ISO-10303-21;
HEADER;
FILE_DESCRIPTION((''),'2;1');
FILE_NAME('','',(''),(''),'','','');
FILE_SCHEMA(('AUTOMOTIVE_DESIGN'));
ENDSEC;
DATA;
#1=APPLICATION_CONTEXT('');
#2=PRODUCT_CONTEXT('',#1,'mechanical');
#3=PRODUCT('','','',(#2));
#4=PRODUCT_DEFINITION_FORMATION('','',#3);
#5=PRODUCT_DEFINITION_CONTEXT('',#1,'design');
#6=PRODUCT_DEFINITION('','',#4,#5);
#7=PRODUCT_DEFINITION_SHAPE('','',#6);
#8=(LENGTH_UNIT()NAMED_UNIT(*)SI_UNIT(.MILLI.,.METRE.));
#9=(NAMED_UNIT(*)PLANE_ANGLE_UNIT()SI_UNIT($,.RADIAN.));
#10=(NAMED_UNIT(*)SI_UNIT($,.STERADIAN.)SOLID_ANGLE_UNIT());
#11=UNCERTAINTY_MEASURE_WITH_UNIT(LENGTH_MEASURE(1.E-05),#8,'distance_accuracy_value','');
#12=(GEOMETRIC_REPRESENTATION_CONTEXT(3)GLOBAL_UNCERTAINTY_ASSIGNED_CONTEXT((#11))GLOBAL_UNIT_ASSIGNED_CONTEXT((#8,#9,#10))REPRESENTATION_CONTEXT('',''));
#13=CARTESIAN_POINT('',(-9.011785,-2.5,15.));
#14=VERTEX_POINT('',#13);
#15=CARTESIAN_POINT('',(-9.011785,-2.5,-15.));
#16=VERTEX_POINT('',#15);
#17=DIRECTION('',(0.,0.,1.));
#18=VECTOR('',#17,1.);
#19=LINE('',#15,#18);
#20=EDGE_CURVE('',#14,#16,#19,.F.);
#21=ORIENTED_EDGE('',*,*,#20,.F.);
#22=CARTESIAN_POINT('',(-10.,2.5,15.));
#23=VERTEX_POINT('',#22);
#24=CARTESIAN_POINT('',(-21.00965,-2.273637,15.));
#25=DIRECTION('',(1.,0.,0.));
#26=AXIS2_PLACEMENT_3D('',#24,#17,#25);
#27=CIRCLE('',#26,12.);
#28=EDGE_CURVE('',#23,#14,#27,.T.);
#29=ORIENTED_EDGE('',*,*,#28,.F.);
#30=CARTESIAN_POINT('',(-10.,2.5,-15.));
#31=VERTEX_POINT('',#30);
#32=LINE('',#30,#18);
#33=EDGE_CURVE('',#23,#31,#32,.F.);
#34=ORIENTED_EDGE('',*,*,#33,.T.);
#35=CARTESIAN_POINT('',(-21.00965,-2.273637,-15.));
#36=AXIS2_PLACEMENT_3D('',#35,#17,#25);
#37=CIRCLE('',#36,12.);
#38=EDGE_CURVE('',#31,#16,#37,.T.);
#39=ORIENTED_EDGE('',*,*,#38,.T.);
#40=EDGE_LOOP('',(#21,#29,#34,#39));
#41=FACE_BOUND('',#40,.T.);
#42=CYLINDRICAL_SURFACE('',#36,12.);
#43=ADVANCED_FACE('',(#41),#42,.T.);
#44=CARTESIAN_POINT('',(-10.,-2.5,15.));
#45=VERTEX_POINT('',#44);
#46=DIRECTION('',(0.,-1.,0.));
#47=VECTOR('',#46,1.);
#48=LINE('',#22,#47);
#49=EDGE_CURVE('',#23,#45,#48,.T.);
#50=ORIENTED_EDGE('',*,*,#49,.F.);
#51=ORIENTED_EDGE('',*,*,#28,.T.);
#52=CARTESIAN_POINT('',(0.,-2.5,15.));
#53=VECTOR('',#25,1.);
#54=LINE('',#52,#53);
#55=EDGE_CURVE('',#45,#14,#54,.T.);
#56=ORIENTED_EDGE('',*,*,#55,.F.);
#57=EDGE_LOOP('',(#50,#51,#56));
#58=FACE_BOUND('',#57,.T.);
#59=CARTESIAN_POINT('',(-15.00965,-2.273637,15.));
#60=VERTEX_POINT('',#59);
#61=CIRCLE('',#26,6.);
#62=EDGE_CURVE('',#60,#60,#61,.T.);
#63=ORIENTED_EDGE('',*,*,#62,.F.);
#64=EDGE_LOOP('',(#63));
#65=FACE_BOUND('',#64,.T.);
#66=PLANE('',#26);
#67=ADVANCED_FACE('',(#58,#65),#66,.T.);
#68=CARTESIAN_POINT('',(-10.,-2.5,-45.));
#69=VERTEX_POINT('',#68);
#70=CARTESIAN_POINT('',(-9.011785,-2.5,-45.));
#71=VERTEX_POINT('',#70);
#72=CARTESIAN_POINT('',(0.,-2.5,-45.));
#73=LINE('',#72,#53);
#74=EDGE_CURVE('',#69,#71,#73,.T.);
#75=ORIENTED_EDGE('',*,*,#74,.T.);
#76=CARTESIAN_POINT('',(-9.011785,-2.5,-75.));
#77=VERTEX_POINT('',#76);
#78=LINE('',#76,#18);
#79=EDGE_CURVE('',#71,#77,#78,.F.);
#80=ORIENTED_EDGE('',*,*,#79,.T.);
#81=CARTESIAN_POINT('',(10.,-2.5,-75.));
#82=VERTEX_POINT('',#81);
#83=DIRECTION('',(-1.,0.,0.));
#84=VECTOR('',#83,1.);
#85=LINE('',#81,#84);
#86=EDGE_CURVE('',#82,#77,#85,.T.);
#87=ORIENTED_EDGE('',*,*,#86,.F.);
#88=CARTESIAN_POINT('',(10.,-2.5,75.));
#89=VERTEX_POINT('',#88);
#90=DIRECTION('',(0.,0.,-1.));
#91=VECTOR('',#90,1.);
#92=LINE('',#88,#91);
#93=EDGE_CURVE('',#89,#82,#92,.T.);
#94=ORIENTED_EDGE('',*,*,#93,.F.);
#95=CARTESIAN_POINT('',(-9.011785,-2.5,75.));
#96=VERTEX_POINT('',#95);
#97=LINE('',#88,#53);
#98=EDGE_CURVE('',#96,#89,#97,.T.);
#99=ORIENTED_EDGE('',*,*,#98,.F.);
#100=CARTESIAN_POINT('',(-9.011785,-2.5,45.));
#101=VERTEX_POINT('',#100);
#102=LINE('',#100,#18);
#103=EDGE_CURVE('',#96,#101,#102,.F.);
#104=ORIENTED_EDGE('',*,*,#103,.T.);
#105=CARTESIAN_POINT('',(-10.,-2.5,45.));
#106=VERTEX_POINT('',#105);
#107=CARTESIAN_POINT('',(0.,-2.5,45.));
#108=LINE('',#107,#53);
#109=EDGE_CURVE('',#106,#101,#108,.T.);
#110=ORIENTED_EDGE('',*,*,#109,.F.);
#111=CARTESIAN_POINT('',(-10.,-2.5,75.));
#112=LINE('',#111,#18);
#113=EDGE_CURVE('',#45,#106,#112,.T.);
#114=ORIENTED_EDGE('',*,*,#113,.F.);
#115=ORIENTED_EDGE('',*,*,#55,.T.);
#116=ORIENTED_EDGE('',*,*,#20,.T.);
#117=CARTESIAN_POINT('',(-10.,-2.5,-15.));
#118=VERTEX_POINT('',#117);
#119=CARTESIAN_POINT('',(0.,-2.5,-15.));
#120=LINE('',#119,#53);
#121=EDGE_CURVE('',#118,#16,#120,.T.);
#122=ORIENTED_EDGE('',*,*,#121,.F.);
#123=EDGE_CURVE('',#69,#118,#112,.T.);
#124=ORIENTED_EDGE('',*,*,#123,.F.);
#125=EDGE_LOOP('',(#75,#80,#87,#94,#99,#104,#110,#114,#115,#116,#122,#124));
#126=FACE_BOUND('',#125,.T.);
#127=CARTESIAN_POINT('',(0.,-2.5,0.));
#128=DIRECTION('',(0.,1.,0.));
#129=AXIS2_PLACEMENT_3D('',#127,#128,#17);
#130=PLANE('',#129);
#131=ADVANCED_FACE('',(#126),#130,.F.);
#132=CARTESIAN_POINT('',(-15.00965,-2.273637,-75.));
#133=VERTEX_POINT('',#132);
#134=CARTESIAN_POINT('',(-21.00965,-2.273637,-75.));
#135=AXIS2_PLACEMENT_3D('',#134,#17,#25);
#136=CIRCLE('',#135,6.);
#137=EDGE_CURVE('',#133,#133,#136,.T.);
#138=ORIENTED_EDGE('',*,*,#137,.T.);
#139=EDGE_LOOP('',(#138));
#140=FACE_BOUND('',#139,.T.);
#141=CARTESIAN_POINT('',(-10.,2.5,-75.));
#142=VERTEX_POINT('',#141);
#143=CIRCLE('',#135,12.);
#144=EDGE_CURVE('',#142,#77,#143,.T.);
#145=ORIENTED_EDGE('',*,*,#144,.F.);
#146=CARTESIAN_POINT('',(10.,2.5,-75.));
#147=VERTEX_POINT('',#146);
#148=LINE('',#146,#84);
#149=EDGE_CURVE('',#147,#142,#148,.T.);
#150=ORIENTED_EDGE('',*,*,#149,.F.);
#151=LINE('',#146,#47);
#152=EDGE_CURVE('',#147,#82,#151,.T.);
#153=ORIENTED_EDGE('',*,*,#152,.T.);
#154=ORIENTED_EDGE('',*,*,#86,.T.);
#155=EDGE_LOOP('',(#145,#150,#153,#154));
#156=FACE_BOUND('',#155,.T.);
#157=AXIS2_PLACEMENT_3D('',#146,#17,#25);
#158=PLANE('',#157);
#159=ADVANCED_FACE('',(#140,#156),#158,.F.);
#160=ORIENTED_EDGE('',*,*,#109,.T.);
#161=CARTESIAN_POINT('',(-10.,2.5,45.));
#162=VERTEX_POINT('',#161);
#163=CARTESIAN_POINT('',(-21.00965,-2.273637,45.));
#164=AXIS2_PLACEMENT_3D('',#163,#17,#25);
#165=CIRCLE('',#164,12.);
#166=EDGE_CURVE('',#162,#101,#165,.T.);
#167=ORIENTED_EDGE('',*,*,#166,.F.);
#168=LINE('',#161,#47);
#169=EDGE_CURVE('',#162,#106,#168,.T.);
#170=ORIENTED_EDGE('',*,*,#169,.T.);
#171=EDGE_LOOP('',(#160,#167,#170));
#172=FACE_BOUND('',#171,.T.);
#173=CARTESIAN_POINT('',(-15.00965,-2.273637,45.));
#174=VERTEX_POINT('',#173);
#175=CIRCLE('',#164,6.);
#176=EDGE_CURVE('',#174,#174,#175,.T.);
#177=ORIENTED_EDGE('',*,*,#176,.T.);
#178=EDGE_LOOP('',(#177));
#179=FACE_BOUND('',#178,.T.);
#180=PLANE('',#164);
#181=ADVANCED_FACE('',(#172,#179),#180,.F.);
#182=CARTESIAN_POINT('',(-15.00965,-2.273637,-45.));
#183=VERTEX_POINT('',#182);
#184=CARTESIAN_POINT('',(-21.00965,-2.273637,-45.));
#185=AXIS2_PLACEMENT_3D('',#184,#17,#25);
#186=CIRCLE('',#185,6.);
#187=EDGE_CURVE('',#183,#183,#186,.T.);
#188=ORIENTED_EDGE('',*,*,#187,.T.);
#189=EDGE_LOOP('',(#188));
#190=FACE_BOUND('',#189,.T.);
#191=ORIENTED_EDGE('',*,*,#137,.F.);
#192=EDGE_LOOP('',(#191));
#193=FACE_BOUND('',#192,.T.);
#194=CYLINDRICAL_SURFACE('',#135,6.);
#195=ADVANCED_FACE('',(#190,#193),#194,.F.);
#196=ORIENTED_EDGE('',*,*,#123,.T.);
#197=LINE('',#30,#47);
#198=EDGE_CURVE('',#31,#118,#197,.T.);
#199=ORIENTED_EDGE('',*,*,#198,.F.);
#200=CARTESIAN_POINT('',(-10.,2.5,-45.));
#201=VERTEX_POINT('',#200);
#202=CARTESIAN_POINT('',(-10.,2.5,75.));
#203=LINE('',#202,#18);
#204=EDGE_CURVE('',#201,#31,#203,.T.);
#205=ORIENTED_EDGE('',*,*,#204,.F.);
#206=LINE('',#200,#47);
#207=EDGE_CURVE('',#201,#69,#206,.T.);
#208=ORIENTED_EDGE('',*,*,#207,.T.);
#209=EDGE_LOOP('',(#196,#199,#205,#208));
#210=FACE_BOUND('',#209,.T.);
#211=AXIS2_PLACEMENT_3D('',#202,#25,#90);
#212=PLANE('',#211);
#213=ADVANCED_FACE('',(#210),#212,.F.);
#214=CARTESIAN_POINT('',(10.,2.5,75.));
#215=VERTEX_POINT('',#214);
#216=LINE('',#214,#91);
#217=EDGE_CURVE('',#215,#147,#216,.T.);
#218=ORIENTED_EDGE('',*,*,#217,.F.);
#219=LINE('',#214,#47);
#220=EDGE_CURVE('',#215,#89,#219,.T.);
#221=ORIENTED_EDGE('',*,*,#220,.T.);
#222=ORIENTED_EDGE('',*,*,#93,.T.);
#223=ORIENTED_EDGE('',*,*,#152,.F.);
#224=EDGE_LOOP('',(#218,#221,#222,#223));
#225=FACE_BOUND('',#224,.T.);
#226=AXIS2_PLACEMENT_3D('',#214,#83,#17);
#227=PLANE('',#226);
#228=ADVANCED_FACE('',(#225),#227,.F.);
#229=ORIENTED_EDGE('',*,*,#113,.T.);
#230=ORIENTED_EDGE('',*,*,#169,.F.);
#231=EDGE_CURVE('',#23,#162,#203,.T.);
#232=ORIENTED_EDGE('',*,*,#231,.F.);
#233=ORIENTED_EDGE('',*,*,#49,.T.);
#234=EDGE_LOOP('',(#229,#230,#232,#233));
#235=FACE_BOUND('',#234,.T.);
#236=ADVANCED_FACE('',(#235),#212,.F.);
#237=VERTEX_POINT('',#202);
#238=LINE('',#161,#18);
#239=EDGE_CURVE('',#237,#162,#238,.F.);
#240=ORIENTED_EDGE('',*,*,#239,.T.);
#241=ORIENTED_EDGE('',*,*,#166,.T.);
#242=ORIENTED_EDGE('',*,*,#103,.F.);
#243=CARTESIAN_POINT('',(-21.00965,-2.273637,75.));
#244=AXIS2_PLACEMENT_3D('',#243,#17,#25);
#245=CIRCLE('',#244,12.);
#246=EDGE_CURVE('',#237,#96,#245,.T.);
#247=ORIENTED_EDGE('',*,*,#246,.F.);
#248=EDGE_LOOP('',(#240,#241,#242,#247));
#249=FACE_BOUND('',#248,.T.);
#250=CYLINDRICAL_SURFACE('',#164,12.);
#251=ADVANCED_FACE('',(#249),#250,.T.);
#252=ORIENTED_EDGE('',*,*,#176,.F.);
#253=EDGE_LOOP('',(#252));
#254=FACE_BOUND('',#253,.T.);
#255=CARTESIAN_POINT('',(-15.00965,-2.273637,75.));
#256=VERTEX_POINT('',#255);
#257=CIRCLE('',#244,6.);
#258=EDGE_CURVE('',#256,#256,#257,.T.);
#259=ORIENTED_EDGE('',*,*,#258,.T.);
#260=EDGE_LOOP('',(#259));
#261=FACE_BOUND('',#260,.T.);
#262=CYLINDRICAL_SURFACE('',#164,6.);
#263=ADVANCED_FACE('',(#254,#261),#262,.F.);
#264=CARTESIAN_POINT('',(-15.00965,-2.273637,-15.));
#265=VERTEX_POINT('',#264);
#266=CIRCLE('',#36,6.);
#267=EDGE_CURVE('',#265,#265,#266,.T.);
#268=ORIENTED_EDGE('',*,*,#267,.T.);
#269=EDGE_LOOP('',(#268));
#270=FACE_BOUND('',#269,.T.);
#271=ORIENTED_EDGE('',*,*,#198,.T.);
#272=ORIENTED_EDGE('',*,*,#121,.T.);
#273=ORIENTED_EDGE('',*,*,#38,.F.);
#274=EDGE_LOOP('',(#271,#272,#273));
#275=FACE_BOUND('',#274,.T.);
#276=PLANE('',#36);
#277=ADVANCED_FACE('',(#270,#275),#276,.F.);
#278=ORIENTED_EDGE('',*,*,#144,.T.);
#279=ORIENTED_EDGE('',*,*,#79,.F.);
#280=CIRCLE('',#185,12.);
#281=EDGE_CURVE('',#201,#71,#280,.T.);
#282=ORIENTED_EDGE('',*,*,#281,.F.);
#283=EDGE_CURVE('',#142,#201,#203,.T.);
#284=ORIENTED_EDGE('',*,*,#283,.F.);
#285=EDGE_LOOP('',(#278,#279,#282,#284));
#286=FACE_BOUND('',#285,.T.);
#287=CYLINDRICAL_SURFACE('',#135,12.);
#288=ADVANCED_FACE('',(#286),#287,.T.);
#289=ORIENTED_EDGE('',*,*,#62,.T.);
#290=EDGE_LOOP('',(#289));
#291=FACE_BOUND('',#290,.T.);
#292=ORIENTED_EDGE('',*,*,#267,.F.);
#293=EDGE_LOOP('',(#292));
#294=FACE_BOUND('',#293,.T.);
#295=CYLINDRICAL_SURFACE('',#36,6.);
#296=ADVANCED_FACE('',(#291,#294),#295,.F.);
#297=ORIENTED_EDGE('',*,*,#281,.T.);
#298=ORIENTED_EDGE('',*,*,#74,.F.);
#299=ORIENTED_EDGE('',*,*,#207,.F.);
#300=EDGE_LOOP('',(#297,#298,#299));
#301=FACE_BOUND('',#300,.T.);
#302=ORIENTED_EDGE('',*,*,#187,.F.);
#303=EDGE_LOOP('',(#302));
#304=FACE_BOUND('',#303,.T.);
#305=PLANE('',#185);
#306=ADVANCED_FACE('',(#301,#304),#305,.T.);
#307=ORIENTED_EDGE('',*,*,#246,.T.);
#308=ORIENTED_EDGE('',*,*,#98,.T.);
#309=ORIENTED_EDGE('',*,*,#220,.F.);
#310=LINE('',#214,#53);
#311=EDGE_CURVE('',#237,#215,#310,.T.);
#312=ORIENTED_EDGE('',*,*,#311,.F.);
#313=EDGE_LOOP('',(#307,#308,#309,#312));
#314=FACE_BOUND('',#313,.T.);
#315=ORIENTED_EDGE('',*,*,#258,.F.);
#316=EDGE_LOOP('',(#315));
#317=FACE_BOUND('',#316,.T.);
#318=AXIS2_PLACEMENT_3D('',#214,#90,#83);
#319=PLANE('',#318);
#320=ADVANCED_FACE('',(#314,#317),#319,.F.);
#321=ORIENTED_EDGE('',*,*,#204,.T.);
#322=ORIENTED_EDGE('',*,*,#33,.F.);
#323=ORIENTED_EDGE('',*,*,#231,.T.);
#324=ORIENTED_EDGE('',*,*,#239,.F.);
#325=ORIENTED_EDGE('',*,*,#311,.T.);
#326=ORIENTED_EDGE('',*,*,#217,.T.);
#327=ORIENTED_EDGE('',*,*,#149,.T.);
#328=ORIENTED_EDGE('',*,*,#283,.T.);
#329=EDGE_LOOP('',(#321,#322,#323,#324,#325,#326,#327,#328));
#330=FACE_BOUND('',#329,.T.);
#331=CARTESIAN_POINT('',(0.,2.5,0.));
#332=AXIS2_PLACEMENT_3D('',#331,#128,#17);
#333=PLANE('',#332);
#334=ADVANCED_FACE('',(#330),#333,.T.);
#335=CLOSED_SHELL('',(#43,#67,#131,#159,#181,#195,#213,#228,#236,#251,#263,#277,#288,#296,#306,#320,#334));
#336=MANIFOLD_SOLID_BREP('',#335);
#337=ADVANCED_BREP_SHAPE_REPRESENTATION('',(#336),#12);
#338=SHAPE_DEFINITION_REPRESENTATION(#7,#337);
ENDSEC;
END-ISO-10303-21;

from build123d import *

# Parameters (mm, degrees)
SKETCH1_W           = 20
SKETCH1_H           = 150
BOSS_EXTRUDE1_DEPTH = 2.5
SKETCH5_R           = 12
SKETCH5_R_2         = 6
BOSS_EXTRUDE2_DEPTH = 30
LPATTERN1_COUNT     = 3
LPATTERN1_PITCH     = 60


with BuildPart() as part:
    # Sketch1 → Boss-Extrude1 (new body, symmetric)
    with BuildSketch(Plane(origin=(0, 0, 0), x_dir=(1, 0, 0), z_dir=(0, 1, 0))):
        Rectangle(SKETCH1_W, SKETCH1_H)
    extrude(amount=BOSS_EXTRUDE1_DEPTH, both=True)

    # Sketch5 → Boss-Extrude2 (add)
    with BuildSketch(Plane.XY.offset(75)):
        with Locations((-21.009649651, -2.273637457)):
            Circle(SKETCH5_R)
        with Locations((-21.009649651, -2.273637457)):
            Circle(SKETCH5_R_2, mode=Mode.SUBTRACT)
    boss_extrude2 = extrude(amount=-BOSS_EXTRUDE2_DEPTH)

    # LPattern1: Boss-Extrude2 ×3
    with Locations(*[(0, 0, -i * LPATTERN1_PITCH) for i in range(1, LPATTERN1_COUNT)]):
        add(boss_extrude2)


solid = part.part
